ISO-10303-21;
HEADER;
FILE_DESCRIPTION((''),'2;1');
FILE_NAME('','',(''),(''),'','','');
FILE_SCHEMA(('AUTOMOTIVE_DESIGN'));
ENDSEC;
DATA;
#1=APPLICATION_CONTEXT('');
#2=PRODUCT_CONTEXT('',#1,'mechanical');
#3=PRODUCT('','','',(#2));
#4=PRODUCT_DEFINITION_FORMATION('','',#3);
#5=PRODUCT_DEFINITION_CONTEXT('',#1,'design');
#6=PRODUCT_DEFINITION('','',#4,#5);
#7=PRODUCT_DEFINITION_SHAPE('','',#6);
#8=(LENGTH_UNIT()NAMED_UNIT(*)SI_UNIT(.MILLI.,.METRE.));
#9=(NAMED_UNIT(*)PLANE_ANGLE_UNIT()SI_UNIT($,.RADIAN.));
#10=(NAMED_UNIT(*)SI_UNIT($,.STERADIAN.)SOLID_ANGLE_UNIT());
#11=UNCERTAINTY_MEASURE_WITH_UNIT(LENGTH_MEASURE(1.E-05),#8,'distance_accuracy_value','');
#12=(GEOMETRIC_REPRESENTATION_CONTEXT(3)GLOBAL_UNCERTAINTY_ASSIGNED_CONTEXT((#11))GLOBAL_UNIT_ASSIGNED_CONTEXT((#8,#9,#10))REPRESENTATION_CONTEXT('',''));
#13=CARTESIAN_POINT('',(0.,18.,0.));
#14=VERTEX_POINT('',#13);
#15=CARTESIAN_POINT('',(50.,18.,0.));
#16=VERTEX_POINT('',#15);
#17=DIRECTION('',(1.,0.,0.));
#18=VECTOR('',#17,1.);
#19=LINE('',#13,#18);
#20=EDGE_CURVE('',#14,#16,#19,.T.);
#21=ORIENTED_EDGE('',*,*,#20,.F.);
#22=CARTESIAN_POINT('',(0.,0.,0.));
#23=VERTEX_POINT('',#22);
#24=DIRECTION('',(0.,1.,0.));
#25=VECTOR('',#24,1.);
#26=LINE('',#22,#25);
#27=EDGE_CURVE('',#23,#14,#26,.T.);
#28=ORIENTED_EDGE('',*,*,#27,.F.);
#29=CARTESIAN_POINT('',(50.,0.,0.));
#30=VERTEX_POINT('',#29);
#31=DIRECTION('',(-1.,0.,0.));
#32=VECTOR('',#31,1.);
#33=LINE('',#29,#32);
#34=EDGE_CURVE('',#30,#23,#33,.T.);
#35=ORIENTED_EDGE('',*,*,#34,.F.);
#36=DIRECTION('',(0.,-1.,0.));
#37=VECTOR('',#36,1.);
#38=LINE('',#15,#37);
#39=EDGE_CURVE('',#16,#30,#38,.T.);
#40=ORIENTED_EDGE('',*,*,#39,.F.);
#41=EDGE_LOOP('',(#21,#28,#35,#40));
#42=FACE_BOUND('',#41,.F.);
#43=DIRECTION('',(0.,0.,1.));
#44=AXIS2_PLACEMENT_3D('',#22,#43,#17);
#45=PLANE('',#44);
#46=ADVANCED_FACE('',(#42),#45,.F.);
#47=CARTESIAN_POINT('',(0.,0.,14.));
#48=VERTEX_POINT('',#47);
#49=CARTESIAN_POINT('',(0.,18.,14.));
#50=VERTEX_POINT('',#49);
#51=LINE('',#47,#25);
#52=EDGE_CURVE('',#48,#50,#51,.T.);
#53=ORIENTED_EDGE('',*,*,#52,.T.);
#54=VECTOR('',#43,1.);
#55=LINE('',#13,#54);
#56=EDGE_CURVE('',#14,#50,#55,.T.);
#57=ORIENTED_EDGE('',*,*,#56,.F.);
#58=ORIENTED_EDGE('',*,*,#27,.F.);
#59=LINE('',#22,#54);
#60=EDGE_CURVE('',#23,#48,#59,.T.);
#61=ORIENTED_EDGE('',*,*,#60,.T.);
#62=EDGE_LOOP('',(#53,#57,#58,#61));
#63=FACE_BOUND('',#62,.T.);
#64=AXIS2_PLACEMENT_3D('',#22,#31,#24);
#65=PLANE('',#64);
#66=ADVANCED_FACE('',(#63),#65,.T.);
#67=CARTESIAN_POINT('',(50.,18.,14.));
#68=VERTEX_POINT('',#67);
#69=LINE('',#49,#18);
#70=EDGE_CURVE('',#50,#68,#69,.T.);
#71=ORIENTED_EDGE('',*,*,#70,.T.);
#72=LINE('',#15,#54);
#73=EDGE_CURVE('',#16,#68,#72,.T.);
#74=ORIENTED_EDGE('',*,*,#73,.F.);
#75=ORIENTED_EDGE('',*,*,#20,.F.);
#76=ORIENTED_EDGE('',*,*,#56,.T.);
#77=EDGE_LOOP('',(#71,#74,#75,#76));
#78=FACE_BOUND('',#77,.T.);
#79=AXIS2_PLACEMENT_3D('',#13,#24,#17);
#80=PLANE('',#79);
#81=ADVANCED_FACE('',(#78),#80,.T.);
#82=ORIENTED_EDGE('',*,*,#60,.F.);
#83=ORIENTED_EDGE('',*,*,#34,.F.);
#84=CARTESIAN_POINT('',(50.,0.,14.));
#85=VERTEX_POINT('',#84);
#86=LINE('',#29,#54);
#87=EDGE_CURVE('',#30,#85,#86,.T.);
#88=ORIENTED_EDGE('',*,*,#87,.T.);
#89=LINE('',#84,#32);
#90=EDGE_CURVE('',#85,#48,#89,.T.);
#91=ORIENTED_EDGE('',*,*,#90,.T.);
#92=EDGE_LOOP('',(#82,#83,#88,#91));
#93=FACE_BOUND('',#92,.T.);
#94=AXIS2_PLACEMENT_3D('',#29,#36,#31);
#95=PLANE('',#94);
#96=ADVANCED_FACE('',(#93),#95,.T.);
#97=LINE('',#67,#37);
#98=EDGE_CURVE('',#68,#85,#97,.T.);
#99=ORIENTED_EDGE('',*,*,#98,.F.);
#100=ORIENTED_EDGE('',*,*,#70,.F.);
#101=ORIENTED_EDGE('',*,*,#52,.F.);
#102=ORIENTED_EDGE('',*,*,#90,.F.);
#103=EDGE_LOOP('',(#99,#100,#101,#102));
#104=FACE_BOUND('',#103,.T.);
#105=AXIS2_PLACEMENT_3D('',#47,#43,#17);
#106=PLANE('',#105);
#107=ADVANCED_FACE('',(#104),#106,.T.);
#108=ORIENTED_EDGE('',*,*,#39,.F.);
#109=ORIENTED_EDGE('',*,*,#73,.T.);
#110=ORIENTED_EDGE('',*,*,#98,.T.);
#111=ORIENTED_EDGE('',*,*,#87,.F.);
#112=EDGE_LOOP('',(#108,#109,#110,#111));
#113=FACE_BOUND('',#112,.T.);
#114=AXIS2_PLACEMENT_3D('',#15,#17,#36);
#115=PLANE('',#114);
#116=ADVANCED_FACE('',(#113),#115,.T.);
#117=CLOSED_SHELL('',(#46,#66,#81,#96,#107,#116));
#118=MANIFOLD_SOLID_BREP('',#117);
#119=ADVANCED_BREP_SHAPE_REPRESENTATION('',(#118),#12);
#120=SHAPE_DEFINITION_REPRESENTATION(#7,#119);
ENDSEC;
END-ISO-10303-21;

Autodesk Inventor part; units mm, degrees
ref_plane "YZ Plane" through (0, 0, 0) normal (1, 0, 0) x (0, 1, 0)
ref_plane "XZ Plane" through (0, 0, 0) normal (0, 1, 0) x (-1, 0, 0)
ref_plane "XY Plane" through (0, 0, 0) normal (0, 0, 1) x (1, 0, 0)
sketch "Sketch1" plane through (0, 0, 0) normal (0, 0, 1) x (1, 0, 0)
  line L0 (0, 18) -> (50, 18)
  line L1 (50, 18) -> (50, 0)
  line L2 (50, 0) -> (0, 0)
  line L3 (0, 0) -> (0, 18)
  dimension "d0" = 50
  dimension "d1" = 18
extrude "Extrusion1" add sketch "Sketch1" along normal blind 14
ref_plane "Work Plane1" through (25, 0, 0) normal (1, 0, 0) x (0, 0, -1)
properties part number "2sLIPO"
